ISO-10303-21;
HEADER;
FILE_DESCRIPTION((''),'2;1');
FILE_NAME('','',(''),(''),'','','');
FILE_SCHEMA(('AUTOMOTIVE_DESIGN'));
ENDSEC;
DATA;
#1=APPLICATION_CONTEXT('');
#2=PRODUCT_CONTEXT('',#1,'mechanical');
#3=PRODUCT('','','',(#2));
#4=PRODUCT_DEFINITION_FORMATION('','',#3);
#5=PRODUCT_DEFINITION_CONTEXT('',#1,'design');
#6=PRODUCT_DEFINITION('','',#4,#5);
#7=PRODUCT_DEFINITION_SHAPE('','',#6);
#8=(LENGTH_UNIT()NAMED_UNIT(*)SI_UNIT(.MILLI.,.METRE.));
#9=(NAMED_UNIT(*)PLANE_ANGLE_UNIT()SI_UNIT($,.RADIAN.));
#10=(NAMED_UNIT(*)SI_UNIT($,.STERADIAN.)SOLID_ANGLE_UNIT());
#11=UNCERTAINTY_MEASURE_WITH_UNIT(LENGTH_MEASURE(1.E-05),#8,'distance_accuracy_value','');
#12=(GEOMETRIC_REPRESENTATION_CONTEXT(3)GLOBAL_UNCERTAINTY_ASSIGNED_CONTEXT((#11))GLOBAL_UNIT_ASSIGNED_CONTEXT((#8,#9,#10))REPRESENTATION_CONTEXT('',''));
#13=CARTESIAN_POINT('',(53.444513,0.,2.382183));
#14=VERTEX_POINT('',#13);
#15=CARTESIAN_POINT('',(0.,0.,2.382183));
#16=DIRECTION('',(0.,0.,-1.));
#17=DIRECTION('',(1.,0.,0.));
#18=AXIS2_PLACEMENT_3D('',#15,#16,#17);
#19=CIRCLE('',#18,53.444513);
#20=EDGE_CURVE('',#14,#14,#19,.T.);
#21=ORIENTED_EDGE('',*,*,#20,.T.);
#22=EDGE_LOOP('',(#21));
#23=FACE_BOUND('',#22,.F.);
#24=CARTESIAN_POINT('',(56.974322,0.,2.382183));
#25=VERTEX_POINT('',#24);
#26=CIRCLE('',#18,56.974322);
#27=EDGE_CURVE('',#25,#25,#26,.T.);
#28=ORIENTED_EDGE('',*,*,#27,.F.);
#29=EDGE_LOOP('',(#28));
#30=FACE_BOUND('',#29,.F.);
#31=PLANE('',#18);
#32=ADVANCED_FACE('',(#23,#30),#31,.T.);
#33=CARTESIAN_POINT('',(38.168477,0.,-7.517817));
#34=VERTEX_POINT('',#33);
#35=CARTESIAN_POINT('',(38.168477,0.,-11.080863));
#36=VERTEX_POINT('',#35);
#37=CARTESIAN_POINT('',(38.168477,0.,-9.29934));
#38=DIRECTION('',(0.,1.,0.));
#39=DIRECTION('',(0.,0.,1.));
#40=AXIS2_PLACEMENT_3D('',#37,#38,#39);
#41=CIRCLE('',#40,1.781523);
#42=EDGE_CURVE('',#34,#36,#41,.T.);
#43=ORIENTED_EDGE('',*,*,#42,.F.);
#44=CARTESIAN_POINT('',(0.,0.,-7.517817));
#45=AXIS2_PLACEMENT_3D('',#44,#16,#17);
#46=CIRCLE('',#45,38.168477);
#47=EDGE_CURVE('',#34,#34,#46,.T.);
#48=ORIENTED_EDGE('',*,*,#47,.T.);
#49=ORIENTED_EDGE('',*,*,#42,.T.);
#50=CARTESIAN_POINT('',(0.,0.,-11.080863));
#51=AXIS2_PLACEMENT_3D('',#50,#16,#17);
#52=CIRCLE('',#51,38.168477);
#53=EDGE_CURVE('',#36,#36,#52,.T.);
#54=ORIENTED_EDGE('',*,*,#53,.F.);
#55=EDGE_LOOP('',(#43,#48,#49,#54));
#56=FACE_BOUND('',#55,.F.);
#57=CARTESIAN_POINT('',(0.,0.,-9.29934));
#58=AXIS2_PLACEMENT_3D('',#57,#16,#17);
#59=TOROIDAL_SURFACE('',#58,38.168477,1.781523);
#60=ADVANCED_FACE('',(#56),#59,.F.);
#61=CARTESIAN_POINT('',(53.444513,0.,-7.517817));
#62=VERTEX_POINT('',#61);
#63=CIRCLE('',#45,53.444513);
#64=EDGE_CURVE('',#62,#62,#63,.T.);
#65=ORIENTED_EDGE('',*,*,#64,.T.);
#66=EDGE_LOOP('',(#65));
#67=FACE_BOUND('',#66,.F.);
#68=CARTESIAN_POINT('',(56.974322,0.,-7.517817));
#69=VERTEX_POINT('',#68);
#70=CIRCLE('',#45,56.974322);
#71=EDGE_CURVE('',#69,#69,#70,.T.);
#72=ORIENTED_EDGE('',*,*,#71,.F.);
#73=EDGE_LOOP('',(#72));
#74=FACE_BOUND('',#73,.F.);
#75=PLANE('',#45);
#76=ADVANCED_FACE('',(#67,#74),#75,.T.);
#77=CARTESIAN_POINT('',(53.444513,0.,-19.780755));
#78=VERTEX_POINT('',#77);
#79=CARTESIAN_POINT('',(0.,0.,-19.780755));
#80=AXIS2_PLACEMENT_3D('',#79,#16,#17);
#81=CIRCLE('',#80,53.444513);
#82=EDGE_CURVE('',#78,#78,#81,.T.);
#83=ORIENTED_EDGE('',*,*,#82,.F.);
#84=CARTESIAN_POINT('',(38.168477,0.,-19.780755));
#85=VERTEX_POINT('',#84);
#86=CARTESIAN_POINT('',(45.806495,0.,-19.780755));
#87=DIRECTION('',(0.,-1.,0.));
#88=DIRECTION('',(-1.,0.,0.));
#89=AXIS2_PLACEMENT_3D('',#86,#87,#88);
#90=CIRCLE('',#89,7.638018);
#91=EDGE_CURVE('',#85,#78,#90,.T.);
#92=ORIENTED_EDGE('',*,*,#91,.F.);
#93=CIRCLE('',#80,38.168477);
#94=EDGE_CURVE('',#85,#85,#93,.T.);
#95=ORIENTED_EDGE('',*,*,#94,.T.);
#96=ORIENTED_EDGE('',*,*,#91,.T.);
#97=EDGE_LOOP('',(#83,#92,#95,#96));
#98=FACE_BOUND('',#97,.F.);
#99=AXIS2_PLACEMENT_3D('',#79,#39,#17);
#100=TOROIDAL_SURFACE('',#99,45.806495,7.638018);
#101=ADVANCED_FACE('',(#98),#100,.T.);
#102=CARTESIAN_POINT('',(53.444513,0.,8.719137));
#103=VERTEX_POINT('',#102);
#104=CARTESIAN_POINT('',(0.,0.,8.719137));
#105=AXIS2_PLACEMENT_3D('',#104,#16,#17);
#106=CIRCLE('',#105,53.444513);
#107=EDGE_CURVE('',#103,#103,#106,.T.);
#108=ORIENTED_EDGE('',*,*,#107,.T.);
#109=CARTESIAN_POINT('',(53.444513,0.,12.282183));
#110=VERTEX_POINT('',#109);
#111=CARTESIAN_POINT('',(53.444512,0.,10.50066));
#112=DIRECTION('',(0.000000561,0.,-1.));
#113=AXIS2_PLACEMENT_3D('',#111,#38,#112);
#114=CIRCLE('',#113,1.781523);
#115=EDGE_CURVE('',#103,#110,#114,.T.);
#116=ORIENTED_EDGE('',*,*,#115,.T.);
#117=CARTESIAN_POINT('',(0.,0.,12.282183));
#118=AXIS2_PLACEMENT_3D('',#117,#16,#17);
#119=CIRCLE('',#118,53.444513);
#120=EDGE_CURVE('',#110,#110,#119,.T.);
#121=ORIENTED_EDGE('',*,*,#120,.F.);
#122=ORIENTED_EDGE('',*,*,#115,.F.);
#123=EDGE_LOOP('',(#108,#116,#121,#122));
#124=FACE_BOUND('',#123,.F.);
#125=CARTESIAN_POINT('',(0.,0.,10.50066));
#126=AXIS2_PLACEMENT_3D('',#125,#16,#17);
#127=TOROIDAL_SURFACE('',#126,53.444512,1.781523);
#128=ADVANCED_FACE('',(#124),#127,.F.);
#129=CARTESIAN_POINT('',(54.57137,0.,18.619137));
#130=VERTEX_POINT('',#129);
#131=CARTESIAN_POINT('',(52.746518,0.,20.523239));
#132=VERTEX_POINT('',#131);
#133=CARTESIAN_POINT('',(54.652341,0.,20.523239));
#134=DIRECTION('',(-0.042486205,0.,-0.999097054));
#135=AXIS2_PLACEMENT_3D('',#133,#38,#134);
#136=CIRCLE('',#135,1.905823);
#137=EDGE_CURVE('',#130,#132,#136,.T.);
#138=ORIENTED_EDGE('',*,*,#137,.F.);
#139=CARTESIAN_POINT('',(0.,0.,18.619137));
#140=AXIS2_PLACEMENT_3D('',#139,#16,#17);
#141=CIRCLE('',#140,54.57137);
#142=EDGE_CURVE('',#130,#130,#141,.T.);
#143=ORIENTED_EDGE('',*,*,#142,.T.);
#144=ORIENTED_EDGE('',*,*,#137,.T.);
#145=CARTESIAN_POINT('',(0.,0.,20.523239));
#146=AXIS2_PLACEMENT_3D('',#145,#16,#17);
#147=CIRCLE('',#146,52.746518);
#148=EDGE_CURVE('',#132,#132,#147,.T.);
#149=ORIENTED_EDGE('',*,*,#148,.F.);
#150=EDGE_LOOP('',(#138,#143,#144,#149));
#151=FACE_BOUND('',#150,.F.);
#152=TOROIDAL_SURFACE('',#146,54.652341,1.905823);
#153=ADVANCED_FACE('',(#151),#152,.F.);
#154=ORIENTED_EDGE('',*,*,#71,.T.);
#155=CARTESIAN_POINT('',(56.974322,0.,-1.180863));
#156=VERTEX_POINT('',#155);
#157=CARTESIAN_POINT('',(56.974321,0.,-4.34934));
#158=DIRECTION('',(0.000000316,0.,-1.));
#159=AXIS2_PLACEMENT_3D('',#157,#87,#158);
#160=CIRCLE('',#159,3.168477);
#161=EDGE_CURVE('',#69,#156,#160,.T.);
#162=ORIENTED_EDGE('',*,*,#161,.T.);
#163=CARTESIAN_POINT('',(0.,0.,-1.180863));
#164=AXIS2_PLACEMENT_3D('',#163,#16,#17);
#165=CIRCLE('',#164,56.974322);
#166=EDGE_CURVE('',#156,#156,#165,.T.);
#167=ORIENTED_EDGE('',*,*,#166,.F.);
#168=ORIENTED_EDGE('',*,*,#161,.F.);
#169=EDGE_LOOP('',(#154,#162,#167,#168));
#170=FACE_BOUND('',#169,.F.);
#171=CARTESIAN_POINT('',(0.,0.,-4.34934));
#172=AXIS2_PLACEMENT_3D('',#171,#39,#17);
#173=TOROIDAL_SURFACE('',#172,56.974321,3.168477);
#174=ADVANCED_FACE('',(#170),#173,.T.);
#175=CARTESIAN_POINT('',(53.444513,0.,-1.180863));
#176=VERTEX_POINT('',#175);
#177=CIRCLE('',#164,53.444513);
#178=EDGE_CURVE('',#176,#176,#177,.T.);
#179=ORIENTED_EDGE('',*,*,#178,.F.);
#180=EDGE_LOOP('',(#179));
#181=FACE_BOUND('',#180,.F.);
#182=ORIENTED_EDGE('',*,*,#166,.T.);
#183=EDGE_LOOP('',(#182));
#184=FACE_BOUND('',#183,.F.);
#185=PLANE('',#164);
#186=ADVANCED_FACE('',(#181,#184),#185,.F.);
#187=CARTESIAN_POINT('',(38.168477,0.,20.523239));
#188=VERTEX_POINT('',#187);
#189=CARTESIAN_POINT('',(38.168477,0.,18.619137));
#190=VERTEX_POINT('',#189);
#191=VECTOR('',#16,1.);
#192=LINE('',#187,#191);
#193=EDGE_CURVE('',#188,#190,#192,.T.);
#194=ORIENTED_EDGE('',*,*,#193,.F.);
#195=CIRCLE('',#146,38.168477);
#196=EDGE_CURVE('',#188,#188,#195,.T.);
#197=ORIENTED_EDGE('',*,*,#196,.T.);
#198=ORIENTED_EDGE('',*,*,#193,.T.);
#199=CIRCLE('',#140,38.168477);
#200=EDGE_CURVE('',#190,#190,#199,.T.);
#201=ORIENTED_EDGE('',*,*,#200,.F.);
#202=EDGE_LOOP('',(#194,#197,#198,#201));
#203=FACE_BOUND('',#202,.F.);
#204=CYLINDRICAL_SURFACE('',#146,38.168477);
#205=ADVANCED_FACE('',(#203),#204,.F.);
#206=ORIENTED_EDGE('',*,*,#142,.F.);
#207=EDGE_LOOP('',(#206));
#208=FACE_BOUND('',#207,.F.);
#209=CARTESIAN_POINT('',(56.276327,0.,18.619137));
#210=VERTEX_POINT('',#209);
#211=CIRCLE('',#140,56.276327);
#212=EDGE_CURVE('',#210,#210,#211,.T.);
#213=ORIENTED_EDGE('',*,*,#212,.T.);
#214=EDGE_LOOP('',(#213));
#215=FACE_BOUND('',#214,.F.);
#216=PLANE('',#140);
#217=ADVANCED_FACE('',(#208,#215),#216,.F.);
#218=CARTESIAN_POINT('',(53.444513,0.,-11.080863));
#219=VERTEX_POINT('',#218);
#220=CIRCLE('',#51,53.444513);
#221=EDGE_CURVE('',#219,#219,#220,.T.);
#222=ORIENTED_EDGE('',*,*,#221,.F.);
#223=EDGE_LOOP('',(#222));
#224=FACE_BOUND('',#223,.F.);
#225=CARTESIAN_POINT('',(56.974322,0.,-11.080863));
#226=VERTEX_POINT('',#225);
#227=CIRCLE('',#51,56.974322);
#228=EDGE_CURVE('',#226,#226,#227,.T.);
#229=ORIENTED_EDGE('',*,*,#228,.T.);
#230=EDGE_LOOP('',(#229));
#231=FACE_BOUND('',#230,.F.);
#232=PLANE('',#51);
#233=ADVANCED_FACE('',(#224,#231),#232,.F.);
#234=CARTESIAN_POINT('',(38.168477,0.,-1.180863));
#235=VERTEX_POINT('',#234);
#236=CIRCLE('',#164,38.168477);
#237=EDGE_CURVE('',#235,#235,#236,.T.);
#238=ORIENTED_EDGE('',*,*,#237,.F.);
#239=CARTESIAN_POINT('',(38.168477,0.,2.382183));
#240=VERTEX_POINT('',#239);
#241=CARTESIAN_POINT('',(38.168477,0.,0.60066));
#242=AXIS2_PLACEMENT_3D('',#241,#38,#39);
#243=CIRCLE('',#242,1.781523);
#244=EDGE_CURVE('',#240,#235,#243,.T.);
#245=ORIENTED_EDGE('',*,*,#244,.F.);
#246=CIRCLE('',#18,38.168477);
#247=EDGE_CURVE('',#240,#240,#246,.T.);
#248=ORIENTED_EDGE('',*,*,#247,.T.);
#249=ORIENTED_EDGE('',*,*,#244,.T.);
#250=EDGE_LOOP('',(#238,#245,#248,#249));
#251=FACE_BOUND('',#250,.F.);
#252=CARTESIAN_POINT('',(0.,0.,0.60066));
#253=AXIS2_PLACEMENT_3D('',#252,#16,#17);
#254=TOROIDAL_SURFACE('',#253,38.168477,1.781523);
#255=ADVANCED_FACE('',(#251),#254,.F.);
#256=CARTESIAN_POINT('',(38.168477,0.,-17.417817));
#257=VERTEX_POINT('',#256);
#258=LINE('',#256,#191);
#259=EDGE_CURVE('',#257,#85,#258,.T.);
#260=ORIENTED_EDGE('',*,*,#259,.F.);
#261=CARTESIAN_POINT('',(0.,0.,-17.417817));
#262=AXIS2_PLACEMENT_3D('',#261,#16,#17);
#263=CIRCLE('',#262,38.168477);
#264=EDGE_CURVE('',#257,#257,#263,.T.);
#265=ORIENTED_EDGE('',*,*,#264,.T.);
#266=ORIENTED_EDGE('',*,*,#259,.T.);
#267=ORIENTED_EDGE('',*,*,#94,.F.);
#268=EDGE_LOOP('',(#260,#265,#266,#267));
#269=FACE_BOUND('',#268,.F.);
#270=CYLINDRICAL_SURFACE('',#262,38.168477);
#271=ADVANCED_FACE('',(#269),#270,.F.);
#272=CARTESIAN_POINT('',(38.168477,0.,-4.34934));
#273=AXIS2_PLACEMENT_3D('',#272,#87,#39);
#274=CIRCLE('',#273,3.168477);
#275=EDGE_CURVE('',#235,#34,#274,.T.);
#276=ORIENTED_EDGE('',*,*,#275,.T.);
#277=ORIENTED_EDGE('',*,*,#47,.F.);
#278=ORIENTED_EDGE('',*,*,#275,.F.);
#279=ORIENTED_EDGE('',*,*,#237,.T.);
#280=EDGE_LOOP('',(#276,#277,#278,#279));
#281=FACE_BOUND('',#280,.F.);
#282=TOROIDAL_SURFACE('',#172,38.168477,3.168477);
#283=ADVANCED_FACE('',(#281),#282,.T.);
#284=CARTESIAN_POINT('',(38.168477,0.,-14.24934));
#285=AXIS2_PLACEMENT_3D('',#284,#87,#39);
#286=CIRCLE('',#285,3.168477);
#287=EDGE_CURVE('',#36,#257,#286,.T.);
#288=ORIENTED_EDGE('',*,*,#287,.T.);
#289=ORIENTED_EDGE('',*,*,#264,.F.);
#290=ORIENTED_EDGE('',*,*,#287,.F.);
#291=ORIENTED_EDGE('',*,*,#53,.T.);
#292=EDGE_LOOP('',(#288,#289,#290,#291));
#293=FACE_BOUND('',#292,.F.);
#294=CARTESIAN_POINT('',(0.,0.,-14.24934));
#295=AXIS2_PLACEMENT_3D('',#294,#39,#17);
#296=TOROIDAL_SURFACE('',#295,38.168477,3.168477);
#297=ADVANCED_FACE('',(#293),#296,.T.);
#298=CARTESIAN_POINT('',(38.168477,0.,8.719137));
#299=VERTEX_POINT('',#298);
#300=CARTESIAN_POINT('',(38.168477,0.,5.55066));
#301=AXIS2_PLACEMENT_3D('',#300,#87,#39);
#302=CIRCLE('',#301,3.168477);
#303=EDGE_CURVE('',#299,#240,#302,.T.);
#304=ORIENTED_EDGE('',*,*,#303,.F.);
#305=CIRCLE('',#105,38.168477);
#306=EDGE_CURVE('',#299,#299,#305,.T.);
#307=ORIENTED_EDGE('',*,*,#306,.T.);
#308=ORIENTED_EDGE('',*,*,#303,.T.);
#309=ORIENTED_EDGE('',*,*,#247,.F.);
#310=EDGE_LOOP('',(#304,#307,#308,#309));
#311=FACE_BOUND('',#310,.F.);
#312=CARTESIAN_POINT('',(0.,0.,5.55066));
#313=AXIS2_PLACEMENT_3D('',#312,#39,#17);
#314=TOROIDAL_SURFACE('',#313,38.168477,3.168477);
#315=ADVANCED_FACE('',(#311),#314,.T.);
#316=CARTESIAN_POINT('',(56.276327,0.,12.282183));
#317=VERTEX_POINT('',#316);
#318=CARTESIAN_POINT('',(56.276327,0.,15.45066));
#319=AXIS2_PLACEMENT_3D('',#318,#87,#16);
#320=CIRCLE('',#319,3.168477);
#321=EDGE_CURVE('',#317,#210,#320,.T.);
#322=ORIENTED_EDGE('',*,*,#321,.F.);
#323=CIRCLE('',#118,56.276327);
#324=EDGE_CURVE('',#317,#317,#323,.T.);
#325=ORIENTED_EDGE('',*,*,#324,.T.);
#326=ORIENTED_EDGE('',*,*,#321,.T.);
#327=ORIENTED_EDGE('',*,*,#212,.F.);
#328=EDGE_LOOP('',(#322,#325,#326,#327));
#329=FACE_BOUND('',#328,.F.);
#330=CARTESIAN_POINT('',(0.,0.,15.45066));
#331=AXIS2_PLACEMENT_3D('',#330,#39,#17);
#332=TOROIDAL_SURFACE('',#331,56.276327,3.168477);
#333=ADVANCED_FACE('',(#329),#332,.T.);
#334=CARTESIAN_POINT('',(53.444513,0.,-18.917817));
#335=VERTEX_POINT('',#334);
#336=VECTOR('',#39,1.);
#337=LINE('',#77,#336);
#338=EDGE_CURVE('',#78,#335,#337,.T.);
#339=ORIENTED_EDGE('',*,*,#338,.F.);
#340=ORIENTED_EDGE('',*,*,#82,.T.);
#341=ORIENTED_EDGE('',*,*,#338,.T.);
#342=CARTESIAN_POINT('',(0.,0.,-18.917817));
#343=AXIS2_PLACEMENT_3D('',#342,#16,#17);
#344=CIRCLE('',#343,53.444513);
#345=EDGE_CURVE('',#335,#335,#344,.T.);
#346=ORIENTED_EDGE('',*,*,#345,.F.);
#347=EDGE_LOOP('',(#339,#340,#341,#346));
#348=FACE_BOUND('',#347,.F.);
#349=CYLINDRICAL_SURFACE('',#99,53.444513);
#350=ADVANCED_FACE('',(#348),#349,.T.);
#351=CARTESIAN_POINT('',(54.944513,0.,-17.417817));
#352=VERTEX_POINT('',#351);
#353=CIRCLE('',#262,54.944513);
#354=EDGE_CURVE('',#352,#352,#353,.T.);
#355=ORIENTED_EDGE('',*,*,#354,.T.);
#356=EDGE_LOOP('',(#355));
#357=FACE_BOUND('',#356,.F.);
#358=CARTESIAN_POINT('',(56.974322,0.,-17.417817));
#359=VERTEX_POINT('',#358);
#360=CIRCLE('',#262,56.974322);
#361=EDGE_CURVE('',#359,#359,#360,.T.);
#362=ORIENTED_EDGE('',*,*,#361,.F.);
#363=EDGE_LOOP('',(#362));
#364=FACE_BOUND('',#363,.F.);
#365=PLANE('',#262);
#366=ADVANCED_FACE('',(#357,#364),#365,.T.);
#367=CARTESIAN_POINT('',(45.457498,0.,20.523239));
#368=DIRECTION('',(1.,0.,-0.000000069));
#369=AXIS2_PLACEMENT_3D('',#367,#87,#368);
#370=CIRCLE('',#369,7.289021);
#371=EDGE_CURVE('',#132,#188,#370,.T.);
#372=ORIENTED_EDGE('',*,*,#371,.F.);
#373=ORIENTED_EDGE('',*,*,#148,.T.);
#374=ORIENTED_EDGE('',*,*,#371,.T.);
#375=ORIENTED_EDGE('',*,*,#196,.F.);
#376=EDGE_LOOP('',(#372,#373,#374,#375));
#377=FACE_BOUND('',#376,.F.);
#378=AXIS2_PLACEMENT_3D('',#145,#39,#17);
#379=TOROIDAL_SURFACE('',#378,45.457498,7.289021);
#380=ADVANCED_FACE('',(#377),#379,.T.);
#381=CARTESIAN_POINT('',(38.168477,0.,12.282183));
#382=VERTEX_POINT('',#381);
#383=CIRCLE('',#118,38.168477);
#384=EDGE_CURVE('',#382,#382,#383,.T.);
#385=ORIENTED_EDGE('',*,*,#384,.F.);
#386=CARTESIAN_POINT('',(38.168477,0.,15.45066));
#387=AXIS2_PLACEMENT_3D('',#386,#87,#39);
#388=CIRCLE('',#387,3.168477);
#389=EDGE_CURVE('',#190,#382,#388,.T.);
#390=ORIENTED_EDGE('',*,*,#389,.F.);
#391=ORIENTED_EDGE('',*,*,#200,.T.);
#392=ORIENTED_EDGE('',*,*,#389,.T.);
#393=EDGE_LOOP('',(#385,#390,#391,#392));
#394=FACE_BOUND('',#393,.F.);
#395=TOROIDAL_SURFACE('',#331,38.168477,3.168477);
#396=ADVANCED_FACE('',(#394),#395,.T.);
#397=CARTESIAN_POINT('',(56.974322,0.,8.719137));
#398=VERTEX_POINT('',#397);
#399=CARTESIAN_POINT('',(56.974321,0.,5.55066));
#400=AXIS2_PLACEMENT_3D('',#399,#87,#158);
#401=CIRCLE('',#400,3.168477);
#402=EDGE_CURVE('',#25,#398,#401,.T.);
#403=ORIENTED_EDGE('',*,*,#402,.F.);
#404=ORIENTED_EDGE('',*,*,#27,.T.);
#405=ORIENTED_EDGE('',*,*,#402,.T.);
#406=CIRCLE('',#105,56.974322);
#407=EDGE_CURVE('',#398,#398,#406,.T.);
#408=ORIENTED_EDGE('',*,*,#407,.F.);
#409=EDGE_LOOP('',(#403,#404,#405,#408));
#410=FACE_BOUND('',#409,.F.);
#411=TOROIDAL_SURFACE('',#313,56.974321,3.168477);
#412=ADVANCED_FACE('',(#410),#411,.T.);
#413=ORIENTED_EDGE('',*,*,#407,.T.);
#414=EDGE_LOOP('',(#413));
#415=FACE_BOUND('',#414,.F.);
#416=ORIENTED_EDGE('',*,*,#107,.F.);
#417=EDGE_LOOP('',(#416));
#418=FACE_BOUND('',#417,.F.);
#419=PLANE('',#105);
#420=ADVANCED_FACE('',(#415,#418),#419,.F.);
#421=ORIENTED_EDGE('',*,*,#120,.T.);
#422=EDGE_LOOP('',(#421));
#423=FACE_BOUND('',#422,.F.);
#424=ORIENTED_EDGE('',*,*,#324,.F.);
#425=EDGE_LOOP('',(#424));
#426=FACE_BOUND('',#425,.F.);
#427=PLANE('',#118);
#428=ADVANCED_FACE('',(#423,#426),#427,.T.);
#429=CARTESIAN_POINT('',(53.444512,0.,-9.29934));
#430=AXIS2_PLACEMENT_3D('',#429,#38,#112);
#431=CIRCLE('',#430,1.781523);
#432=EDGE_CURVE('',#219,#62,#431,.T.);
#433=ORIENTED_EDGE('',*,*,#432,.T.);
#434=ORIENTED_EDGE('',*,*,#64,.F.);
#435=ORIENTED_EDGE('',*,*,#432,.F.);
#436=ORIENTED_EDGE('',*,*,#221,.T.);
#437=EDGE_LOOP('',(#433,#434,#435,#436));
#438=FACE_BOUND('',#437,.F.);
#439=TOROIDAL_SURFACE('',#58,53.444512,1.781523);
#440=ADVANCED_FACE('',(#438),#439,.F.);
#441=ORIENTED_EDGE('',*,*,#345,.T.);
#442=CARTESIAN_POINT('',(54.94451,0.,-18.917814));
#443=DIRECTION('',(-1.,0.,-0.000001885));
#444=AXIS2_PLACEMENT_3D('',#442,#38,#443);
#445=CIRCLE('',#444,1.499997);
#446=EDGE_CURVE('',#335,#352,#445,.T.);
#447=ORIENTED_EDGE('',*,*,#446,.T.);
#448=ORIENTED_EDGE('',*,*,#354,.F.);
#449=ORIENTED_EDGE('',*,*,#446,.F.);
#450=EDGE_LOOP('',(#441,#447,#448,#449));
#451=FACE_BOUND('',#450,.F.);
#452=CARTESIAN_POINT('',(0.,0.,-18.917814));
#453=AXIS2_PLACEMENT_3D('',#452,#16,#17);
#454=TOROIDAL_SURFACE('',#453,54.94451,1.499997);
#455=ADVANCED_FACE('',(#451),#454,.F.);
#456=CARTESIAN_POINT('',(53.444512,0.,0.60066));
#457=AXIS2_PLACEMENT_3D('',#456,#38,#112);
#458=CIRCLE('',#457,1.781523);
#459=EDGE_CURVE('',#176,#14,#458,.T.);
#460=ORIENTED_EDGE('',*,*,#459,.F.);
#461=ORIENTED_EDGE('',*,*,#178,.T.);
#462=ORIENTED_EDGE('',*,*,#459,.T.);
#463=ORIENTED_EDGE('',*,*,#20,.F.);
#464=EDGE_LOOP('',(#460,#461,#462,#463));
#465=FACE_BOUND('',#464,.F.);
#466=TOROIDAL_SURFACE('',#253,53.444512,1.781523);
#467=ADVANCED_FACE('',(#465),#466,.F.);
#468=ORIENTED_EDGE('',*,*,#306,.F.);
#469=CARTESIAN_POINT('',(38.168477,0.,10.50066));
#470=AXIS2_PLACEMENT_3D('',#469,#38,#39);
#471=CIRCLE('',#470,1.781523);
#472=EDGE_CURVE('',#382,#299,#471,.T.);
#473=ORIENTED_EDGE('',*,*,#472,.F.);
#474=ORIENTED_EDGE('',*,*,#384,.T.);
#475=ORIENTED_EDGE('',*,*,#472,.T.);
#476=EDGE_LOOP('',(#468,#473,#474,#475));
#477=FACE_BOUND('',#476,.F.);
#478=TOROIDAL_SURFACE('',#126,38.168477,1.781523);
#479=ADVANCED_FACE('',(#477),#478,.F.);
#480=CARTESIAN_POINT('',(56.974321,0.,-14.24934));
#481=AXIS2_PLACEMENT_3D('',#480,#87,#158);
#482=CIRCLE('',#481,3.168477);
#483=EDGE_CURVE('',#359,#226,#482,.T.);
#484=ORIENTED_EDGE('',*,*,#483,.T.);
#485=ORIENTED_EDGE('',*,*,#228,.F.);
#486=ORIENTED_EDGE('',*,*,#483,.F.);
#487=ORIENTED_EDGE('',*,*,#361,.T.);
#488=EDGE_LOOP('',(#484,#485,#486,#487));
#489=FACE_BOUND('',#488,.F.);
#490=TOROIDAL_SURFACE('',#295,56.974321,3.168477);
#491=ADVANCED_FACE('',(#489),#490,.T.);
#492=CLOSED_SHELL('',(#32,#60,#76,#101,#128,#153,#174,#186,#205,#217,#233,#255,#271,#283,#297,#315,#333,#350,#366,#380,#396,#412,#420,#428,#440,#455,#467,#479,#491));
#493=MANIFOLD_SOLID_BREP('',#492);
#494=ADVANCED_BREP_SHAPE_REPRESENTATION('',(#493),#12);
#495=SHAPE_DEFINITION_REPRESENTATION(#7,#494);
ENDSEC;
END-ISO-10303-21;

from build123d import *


with BuildPart() as f1:
    # F0 (on Front) → F1 (revolve)
    with BuildSketch(Plane.XZ):
        with BuildLine():
            ThreePointArc((52.746518, 20.523239), (45.457497, 27.81226), (38.168477, 20.523239))
            Line((38.168477, 20.523239), (38.168477, 18.619137))
            ThreePointArc((38.168477, 18.619137), (35, 15.45066), (38.168477, 12.282183))
            ThreePointArc((38.168477, 12.282183), (39.95, 10.50066), (38.168477, 8.719137))
            ThreePointArc((38.168477, 8.719137), (35, 5.55066), (38.168477, 2.382183))
            ThreePointArc((38.168477, 2.382183), (39.95, 0.60066), (38.168477, -1.180863))
            ThreePointArc((38.168477, -1.180863), (35, -4.34934), (38.168477, -7.517817))
            ThreePointArc((38.168477, -7.517817), (39.95, -9.29934), (38.168477, -11.080863))
            ThreePointArc((38.168477, -11.080863), (35, -14.24934), (38.168477, -17.417817))
            Line((38.168477, -17.417817), (38.168477, -19.780755))
            ThreePointArc((38.168477, -19.780755), (45.806495, -27.418773), (53.444513, -19.780755))
            Line((53.444513, -19.780755), (53.444513, -18.917817))
            ThreePointArc((53.444513, -18.917817), (53.883852, -17.857156), (54.944513, -17.417817))
            Line((54.944513, -17.417817), (56.974322, -17.417817))
            ThreePointArc((56.974322, -17.417817), (60.142798, -14.24934), (56.974322, -11.080863))
            Line((56.974322, -11.080863), (55.269364, -11.080863))
            Line((55.269364, -11.080863), (53.444513, -11.080863))
            ThreePointArc((53.444513, -11.080863), (51.662989, -9.29934), (53.444513, -7.517817))
            Line((53.444513, -7.517817), (56.974322, -7.517817))
            ThreePointArc((56.974322, -7.517817), (60.142798, -4.34934), (56.974322, -1.180863))
            Line((56.974322, -1.180863), (55.269364, -1.180863))
            Line((55.269364, -1.180863), (53.444513, -1.180863))
            ThreePointArc((53.444513, -1.180863), (51.662989, 0.60066), (53.444513, 2.382183))
            Line((53.444513, 2.382183), (56.974322, 2.382183))
            ThreePointArc((56.974322, 2.382183), (60.142798, 5.55066), (56.974322, 8.719137))
            Line((56.974322, 8.719137), (55.269364, 8.719137))
            Line((55.269364, 8.719137), (53.444513, 8.719137))
            ThreePointArc((53.444513, 8.719137), (51.662989, 10.50066), (53.444513, 12.282183))
            Line((53.444513, 12.282183), (56.276327, 12.282183))
            ThreePointArc((56.276327, 12.282183), (59.444804, 15.45066), (56.276327, 18.619137))
            Line((56.276327, 18.619137), (54.57137, 18.619137))
            ThreePointArc((54.57137, 18.619137), (53.276391, 19.204557), (52.746518, 20.523239))
        make_face()
    revolve(axis=Axis((0, 0, -9.734465), (0, 0, -1)))


solid = f1.part
